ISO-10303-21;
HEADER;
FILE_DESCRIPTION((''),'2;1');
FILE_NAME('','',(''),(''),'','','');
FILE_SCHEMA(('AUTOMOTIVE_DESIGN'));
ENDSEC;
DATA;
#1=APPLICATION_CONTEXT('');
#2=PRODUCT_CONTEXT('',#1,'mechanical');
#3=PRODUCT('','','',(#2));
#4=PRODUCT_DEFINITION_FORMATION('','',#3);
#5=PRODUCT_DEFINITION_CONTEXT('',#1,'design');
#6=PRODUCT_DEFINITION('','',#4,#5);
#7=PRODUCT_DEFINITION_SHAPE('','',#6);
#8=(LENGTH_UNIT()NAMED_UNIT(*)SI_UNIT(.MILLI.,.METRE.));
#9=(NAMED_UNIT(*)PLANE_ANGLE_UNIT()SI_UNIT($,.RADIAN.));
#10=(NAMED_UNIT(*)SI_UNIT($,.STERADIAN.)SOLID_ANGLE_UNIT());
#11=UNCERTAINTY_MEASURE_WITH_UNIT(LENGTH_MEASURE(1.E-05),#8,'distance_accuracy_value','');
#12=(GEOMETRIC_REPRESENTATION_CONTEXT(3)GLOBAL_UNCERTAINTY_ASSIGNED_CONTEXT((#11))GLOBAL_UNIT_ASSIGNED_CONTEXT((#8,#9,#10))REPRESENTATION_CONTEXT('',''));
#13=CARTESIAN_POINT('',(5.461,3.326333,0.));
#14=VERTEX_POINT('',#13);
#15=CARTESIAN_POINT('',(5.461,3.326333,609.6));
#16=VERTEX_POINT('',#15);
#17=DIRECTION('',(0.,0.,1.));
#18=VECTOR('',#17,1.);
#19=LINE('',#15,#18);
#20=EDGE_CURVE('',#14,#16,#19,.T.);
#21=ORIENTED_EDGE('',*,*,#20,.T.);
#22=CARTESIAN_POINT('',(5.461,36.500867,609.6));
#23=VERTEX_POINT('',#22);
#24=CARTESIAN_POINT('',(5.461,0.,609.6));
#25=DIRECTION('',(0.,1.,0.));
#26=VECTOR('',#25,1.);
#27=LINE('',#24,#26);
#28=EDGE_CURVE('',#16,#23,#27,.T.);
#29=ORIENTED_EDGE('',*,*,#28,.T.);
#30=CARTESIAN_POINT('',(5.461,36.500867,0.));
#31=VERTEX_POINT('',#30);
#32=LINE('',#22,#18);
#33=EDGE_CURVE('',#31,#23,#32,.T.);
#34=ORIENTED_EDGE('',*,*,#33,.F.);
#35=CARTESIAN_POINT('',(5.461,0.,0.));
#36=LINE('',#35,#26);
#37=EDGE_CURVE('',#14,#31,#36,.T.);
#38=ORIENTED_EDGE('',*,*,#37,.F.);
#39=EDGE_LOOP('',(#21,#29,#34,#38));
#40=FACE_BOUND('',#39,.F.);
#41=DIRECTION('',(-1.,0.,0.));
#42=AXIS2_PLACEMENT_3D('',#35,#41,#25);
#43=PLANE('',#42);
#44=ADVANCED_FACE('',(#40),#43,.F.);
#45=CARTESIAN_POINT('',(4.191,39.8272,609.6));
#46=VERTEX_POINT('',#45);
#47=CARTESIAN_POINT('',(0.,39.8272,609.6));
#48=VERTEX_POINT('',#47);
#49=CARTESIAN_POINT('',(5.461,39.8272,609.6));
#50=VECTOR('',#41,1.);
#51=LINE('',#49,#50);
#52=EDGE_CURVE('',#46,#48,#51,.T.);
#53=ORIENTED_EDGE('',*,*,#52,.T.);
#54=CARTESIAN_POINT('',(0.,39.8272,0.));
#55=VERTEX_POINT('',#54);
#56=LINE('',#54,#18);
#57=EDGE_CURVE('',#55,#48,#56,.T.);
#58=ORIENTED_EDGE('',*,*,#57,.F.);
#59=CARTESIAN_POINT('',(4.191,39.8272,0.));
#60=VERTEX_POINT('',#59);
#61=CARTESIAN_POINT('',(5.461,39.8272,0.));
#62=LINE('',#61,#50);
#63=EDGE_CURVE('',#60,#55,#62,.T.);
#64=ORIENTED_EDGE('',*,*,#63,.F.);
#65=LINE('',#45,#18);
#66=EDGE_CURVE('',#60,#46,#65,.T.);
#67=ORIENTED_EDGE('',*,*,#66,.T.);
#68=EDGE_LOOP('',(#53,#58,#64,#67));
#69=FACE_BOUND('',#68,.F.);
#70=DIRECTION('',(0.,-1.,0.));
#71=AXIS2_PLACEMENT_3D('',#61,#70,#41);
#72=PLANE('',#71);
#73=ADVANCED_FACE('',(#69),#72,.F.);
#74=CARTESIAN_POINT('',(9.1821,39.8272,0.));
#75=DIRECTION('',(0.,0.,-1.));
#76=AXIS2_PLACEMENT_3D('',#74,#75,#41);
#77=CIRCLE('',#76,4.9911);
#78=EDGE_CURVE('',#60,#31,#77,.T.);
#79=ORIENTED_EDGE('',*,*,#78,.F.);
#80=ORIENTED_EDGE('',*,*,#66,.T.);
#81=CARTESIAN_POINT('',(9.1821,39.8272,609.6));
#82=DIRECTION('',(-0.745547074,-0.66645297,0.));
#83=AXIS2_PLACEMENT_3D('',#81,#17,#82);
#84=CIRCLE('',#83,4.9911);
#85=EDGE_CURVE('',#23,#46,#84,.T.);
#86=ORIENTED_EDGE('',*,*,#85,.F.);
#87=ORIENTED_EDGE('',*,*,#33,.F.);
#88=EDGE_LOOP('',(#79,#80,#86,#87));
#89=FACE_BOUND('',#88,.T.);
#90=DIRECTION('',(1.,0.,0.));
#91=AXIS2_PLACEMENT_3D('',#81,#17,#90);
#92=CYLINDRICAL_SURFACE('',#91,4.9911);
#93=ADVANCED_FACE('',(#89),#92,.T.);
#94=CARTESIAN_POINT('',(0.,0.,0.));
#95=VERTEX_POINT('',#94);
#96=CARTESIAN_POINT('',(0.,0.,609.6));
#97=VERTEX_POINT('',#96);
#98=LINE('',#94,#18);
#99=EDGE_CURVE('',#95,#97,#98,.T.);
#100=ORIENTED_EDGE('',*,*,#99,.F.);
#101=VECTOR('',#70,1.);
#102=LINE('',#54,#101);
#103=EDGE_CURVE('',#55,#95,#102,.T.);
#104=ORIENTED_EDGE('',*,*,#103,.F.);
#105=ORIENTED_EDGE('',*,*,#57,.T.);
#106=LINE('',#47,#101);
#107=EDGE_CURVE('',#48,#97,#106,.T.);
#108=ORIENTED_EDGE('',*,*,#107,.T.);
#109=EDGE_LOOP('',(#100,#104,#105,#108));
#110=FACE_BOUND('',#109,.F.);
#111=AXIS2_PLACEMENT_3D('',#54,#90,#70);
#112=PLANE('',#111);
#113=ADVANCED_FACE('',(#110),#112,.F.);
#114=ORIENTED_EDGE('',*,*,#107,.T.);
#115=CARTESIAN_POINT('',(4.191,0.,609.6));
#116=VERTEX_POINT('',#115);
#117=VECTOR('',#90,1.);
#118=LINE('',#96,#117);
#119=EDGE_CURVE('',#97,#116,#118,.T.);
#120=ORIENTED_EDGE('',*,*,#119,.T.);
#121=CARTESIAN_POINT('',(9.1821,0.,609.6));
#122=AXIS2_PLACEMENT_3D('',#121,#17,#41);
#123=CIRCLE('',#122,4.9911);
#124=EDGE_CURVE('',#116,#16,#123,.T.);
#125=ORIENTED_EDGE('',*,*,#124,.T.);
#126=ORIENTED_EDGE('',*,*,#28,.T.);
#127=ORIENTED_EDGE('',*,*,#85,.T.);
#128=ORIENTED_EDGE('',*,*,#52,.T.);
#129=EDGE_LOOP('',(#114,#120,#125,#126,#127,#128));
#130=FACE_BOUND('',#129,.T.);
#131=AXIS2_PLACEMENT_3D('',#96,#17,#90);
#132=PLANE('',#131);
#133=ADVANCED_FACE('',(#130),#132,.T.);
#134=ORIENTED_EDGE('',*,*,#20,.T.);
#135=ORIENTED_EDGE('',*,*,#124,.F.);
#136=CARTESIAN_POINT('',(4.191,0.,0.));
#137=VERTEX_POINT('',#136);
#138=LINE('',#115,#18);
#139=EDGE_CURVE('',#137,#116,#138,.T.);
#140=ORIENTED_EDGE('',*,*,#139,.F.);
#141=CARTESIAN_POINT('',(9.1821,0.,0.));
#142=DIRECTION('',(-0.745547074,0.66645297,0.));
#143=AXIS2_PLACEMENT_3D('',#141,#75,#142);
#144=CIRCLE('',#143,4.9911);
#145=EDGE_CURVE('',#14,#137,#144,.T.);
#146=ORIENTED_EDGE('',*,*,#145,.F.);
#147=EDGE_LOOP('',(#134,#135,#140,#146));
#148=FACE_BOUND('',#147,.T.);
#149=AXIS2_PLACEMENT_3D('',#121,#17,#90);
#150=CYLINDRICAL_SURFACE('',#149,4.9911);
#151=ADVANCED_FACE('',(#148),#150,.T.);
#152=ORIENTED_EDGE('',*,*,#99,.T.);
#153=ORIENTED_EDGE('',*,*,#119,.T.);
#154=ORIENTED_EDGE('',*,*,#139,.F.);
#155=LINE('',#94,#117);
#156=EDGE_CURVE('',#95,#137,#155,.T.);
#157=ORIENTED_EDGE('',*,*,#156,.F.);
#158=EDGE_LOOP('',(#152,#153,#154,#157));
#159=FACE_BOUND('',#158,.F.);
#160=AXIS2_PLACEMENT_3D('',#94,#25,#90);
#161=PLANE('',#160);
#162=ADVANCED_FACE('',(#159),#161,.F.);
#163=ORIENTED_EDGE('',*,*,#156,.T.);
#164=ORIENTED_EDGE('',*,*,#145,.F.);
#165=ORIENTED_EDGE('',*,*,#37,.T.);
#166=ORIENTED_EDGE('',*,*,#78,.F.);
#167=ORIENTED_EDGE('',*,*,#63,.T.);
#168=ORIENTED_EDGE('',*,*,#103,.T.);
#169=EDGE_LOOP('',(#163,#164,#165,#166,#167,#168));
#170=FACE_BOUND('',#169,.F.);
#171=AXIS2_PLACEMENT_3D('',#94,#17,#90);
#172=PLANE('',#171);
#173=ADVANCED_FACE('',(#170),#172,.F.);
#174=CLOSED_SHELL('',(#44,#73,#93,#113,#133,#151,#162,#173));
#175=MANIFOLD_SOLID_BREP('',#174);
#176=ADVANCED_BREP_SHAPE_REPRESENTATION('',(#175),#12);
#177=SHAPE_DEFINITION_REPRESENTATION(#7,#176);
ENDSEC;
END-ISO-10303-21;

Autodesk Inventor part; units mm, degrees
ref_plane "YZ Plane" through (0, 0, 0) normal (1, 0, 0) x (0, 1, 0)
ref_plane "XZ Plane" through (0, 0, 0) normal (0, 1, 0) x (-1, 0, 0)
ref_plane "XY Plane" through (0, 0, 0) normal (0, 0, 1) x (1, 0, 0)
sketch "Sketch1" plane through (0, 0, 0) normal (0, 0, 1) x (1, 0, 0)
  line L0 (0, 0) -> (5.461, 0)
  line L1 (5.461, 0) -> (5.461, 39.8272)
  line L2 (5.461, 39.8272) -> (0, 39.8272)
  line L3 (0, 39.8272) -> (0, 0)
  dimension "d0" = 5.461
  dimension "d1" = 39.8272
extrude "Extrusion1" add sketch "Sketch1" along normal blind 609.6
sketch "Sketch2" plane through (0, 0, 609.6) normal (0, 0, 1) x (1, 0, 0)
  line L0 (5.461, 0) -> (5.461, 39.8272) projected
  line L1 (5.461, 0) -> (4.191, 0) construction
  line L2 (0, 0) -> (5.461, 0) projected
  line L3 (4.191, 0) -> (9.1821, 0) construction
  circle A0 centre (9.1821, 0) radius 4.9911
  line L4 (5.461, 19.9136) -> (0, 19.9136) construction
  line L5 (0, 39.8272) -> (0, 0) construction
  line L6 (5.461, 39.8272) -> (4.191, 39.8272) construction
  circle A1 centre (9.1821, 39.8272) radius 4.9911
  dimension "d4" = 1.27
  dimension "d5" = 4.9911
extrude "Extrusion2" add sketch "Sketch2" against normal blind 609.6
properties part number "Linear Guide Rail Temporary"
